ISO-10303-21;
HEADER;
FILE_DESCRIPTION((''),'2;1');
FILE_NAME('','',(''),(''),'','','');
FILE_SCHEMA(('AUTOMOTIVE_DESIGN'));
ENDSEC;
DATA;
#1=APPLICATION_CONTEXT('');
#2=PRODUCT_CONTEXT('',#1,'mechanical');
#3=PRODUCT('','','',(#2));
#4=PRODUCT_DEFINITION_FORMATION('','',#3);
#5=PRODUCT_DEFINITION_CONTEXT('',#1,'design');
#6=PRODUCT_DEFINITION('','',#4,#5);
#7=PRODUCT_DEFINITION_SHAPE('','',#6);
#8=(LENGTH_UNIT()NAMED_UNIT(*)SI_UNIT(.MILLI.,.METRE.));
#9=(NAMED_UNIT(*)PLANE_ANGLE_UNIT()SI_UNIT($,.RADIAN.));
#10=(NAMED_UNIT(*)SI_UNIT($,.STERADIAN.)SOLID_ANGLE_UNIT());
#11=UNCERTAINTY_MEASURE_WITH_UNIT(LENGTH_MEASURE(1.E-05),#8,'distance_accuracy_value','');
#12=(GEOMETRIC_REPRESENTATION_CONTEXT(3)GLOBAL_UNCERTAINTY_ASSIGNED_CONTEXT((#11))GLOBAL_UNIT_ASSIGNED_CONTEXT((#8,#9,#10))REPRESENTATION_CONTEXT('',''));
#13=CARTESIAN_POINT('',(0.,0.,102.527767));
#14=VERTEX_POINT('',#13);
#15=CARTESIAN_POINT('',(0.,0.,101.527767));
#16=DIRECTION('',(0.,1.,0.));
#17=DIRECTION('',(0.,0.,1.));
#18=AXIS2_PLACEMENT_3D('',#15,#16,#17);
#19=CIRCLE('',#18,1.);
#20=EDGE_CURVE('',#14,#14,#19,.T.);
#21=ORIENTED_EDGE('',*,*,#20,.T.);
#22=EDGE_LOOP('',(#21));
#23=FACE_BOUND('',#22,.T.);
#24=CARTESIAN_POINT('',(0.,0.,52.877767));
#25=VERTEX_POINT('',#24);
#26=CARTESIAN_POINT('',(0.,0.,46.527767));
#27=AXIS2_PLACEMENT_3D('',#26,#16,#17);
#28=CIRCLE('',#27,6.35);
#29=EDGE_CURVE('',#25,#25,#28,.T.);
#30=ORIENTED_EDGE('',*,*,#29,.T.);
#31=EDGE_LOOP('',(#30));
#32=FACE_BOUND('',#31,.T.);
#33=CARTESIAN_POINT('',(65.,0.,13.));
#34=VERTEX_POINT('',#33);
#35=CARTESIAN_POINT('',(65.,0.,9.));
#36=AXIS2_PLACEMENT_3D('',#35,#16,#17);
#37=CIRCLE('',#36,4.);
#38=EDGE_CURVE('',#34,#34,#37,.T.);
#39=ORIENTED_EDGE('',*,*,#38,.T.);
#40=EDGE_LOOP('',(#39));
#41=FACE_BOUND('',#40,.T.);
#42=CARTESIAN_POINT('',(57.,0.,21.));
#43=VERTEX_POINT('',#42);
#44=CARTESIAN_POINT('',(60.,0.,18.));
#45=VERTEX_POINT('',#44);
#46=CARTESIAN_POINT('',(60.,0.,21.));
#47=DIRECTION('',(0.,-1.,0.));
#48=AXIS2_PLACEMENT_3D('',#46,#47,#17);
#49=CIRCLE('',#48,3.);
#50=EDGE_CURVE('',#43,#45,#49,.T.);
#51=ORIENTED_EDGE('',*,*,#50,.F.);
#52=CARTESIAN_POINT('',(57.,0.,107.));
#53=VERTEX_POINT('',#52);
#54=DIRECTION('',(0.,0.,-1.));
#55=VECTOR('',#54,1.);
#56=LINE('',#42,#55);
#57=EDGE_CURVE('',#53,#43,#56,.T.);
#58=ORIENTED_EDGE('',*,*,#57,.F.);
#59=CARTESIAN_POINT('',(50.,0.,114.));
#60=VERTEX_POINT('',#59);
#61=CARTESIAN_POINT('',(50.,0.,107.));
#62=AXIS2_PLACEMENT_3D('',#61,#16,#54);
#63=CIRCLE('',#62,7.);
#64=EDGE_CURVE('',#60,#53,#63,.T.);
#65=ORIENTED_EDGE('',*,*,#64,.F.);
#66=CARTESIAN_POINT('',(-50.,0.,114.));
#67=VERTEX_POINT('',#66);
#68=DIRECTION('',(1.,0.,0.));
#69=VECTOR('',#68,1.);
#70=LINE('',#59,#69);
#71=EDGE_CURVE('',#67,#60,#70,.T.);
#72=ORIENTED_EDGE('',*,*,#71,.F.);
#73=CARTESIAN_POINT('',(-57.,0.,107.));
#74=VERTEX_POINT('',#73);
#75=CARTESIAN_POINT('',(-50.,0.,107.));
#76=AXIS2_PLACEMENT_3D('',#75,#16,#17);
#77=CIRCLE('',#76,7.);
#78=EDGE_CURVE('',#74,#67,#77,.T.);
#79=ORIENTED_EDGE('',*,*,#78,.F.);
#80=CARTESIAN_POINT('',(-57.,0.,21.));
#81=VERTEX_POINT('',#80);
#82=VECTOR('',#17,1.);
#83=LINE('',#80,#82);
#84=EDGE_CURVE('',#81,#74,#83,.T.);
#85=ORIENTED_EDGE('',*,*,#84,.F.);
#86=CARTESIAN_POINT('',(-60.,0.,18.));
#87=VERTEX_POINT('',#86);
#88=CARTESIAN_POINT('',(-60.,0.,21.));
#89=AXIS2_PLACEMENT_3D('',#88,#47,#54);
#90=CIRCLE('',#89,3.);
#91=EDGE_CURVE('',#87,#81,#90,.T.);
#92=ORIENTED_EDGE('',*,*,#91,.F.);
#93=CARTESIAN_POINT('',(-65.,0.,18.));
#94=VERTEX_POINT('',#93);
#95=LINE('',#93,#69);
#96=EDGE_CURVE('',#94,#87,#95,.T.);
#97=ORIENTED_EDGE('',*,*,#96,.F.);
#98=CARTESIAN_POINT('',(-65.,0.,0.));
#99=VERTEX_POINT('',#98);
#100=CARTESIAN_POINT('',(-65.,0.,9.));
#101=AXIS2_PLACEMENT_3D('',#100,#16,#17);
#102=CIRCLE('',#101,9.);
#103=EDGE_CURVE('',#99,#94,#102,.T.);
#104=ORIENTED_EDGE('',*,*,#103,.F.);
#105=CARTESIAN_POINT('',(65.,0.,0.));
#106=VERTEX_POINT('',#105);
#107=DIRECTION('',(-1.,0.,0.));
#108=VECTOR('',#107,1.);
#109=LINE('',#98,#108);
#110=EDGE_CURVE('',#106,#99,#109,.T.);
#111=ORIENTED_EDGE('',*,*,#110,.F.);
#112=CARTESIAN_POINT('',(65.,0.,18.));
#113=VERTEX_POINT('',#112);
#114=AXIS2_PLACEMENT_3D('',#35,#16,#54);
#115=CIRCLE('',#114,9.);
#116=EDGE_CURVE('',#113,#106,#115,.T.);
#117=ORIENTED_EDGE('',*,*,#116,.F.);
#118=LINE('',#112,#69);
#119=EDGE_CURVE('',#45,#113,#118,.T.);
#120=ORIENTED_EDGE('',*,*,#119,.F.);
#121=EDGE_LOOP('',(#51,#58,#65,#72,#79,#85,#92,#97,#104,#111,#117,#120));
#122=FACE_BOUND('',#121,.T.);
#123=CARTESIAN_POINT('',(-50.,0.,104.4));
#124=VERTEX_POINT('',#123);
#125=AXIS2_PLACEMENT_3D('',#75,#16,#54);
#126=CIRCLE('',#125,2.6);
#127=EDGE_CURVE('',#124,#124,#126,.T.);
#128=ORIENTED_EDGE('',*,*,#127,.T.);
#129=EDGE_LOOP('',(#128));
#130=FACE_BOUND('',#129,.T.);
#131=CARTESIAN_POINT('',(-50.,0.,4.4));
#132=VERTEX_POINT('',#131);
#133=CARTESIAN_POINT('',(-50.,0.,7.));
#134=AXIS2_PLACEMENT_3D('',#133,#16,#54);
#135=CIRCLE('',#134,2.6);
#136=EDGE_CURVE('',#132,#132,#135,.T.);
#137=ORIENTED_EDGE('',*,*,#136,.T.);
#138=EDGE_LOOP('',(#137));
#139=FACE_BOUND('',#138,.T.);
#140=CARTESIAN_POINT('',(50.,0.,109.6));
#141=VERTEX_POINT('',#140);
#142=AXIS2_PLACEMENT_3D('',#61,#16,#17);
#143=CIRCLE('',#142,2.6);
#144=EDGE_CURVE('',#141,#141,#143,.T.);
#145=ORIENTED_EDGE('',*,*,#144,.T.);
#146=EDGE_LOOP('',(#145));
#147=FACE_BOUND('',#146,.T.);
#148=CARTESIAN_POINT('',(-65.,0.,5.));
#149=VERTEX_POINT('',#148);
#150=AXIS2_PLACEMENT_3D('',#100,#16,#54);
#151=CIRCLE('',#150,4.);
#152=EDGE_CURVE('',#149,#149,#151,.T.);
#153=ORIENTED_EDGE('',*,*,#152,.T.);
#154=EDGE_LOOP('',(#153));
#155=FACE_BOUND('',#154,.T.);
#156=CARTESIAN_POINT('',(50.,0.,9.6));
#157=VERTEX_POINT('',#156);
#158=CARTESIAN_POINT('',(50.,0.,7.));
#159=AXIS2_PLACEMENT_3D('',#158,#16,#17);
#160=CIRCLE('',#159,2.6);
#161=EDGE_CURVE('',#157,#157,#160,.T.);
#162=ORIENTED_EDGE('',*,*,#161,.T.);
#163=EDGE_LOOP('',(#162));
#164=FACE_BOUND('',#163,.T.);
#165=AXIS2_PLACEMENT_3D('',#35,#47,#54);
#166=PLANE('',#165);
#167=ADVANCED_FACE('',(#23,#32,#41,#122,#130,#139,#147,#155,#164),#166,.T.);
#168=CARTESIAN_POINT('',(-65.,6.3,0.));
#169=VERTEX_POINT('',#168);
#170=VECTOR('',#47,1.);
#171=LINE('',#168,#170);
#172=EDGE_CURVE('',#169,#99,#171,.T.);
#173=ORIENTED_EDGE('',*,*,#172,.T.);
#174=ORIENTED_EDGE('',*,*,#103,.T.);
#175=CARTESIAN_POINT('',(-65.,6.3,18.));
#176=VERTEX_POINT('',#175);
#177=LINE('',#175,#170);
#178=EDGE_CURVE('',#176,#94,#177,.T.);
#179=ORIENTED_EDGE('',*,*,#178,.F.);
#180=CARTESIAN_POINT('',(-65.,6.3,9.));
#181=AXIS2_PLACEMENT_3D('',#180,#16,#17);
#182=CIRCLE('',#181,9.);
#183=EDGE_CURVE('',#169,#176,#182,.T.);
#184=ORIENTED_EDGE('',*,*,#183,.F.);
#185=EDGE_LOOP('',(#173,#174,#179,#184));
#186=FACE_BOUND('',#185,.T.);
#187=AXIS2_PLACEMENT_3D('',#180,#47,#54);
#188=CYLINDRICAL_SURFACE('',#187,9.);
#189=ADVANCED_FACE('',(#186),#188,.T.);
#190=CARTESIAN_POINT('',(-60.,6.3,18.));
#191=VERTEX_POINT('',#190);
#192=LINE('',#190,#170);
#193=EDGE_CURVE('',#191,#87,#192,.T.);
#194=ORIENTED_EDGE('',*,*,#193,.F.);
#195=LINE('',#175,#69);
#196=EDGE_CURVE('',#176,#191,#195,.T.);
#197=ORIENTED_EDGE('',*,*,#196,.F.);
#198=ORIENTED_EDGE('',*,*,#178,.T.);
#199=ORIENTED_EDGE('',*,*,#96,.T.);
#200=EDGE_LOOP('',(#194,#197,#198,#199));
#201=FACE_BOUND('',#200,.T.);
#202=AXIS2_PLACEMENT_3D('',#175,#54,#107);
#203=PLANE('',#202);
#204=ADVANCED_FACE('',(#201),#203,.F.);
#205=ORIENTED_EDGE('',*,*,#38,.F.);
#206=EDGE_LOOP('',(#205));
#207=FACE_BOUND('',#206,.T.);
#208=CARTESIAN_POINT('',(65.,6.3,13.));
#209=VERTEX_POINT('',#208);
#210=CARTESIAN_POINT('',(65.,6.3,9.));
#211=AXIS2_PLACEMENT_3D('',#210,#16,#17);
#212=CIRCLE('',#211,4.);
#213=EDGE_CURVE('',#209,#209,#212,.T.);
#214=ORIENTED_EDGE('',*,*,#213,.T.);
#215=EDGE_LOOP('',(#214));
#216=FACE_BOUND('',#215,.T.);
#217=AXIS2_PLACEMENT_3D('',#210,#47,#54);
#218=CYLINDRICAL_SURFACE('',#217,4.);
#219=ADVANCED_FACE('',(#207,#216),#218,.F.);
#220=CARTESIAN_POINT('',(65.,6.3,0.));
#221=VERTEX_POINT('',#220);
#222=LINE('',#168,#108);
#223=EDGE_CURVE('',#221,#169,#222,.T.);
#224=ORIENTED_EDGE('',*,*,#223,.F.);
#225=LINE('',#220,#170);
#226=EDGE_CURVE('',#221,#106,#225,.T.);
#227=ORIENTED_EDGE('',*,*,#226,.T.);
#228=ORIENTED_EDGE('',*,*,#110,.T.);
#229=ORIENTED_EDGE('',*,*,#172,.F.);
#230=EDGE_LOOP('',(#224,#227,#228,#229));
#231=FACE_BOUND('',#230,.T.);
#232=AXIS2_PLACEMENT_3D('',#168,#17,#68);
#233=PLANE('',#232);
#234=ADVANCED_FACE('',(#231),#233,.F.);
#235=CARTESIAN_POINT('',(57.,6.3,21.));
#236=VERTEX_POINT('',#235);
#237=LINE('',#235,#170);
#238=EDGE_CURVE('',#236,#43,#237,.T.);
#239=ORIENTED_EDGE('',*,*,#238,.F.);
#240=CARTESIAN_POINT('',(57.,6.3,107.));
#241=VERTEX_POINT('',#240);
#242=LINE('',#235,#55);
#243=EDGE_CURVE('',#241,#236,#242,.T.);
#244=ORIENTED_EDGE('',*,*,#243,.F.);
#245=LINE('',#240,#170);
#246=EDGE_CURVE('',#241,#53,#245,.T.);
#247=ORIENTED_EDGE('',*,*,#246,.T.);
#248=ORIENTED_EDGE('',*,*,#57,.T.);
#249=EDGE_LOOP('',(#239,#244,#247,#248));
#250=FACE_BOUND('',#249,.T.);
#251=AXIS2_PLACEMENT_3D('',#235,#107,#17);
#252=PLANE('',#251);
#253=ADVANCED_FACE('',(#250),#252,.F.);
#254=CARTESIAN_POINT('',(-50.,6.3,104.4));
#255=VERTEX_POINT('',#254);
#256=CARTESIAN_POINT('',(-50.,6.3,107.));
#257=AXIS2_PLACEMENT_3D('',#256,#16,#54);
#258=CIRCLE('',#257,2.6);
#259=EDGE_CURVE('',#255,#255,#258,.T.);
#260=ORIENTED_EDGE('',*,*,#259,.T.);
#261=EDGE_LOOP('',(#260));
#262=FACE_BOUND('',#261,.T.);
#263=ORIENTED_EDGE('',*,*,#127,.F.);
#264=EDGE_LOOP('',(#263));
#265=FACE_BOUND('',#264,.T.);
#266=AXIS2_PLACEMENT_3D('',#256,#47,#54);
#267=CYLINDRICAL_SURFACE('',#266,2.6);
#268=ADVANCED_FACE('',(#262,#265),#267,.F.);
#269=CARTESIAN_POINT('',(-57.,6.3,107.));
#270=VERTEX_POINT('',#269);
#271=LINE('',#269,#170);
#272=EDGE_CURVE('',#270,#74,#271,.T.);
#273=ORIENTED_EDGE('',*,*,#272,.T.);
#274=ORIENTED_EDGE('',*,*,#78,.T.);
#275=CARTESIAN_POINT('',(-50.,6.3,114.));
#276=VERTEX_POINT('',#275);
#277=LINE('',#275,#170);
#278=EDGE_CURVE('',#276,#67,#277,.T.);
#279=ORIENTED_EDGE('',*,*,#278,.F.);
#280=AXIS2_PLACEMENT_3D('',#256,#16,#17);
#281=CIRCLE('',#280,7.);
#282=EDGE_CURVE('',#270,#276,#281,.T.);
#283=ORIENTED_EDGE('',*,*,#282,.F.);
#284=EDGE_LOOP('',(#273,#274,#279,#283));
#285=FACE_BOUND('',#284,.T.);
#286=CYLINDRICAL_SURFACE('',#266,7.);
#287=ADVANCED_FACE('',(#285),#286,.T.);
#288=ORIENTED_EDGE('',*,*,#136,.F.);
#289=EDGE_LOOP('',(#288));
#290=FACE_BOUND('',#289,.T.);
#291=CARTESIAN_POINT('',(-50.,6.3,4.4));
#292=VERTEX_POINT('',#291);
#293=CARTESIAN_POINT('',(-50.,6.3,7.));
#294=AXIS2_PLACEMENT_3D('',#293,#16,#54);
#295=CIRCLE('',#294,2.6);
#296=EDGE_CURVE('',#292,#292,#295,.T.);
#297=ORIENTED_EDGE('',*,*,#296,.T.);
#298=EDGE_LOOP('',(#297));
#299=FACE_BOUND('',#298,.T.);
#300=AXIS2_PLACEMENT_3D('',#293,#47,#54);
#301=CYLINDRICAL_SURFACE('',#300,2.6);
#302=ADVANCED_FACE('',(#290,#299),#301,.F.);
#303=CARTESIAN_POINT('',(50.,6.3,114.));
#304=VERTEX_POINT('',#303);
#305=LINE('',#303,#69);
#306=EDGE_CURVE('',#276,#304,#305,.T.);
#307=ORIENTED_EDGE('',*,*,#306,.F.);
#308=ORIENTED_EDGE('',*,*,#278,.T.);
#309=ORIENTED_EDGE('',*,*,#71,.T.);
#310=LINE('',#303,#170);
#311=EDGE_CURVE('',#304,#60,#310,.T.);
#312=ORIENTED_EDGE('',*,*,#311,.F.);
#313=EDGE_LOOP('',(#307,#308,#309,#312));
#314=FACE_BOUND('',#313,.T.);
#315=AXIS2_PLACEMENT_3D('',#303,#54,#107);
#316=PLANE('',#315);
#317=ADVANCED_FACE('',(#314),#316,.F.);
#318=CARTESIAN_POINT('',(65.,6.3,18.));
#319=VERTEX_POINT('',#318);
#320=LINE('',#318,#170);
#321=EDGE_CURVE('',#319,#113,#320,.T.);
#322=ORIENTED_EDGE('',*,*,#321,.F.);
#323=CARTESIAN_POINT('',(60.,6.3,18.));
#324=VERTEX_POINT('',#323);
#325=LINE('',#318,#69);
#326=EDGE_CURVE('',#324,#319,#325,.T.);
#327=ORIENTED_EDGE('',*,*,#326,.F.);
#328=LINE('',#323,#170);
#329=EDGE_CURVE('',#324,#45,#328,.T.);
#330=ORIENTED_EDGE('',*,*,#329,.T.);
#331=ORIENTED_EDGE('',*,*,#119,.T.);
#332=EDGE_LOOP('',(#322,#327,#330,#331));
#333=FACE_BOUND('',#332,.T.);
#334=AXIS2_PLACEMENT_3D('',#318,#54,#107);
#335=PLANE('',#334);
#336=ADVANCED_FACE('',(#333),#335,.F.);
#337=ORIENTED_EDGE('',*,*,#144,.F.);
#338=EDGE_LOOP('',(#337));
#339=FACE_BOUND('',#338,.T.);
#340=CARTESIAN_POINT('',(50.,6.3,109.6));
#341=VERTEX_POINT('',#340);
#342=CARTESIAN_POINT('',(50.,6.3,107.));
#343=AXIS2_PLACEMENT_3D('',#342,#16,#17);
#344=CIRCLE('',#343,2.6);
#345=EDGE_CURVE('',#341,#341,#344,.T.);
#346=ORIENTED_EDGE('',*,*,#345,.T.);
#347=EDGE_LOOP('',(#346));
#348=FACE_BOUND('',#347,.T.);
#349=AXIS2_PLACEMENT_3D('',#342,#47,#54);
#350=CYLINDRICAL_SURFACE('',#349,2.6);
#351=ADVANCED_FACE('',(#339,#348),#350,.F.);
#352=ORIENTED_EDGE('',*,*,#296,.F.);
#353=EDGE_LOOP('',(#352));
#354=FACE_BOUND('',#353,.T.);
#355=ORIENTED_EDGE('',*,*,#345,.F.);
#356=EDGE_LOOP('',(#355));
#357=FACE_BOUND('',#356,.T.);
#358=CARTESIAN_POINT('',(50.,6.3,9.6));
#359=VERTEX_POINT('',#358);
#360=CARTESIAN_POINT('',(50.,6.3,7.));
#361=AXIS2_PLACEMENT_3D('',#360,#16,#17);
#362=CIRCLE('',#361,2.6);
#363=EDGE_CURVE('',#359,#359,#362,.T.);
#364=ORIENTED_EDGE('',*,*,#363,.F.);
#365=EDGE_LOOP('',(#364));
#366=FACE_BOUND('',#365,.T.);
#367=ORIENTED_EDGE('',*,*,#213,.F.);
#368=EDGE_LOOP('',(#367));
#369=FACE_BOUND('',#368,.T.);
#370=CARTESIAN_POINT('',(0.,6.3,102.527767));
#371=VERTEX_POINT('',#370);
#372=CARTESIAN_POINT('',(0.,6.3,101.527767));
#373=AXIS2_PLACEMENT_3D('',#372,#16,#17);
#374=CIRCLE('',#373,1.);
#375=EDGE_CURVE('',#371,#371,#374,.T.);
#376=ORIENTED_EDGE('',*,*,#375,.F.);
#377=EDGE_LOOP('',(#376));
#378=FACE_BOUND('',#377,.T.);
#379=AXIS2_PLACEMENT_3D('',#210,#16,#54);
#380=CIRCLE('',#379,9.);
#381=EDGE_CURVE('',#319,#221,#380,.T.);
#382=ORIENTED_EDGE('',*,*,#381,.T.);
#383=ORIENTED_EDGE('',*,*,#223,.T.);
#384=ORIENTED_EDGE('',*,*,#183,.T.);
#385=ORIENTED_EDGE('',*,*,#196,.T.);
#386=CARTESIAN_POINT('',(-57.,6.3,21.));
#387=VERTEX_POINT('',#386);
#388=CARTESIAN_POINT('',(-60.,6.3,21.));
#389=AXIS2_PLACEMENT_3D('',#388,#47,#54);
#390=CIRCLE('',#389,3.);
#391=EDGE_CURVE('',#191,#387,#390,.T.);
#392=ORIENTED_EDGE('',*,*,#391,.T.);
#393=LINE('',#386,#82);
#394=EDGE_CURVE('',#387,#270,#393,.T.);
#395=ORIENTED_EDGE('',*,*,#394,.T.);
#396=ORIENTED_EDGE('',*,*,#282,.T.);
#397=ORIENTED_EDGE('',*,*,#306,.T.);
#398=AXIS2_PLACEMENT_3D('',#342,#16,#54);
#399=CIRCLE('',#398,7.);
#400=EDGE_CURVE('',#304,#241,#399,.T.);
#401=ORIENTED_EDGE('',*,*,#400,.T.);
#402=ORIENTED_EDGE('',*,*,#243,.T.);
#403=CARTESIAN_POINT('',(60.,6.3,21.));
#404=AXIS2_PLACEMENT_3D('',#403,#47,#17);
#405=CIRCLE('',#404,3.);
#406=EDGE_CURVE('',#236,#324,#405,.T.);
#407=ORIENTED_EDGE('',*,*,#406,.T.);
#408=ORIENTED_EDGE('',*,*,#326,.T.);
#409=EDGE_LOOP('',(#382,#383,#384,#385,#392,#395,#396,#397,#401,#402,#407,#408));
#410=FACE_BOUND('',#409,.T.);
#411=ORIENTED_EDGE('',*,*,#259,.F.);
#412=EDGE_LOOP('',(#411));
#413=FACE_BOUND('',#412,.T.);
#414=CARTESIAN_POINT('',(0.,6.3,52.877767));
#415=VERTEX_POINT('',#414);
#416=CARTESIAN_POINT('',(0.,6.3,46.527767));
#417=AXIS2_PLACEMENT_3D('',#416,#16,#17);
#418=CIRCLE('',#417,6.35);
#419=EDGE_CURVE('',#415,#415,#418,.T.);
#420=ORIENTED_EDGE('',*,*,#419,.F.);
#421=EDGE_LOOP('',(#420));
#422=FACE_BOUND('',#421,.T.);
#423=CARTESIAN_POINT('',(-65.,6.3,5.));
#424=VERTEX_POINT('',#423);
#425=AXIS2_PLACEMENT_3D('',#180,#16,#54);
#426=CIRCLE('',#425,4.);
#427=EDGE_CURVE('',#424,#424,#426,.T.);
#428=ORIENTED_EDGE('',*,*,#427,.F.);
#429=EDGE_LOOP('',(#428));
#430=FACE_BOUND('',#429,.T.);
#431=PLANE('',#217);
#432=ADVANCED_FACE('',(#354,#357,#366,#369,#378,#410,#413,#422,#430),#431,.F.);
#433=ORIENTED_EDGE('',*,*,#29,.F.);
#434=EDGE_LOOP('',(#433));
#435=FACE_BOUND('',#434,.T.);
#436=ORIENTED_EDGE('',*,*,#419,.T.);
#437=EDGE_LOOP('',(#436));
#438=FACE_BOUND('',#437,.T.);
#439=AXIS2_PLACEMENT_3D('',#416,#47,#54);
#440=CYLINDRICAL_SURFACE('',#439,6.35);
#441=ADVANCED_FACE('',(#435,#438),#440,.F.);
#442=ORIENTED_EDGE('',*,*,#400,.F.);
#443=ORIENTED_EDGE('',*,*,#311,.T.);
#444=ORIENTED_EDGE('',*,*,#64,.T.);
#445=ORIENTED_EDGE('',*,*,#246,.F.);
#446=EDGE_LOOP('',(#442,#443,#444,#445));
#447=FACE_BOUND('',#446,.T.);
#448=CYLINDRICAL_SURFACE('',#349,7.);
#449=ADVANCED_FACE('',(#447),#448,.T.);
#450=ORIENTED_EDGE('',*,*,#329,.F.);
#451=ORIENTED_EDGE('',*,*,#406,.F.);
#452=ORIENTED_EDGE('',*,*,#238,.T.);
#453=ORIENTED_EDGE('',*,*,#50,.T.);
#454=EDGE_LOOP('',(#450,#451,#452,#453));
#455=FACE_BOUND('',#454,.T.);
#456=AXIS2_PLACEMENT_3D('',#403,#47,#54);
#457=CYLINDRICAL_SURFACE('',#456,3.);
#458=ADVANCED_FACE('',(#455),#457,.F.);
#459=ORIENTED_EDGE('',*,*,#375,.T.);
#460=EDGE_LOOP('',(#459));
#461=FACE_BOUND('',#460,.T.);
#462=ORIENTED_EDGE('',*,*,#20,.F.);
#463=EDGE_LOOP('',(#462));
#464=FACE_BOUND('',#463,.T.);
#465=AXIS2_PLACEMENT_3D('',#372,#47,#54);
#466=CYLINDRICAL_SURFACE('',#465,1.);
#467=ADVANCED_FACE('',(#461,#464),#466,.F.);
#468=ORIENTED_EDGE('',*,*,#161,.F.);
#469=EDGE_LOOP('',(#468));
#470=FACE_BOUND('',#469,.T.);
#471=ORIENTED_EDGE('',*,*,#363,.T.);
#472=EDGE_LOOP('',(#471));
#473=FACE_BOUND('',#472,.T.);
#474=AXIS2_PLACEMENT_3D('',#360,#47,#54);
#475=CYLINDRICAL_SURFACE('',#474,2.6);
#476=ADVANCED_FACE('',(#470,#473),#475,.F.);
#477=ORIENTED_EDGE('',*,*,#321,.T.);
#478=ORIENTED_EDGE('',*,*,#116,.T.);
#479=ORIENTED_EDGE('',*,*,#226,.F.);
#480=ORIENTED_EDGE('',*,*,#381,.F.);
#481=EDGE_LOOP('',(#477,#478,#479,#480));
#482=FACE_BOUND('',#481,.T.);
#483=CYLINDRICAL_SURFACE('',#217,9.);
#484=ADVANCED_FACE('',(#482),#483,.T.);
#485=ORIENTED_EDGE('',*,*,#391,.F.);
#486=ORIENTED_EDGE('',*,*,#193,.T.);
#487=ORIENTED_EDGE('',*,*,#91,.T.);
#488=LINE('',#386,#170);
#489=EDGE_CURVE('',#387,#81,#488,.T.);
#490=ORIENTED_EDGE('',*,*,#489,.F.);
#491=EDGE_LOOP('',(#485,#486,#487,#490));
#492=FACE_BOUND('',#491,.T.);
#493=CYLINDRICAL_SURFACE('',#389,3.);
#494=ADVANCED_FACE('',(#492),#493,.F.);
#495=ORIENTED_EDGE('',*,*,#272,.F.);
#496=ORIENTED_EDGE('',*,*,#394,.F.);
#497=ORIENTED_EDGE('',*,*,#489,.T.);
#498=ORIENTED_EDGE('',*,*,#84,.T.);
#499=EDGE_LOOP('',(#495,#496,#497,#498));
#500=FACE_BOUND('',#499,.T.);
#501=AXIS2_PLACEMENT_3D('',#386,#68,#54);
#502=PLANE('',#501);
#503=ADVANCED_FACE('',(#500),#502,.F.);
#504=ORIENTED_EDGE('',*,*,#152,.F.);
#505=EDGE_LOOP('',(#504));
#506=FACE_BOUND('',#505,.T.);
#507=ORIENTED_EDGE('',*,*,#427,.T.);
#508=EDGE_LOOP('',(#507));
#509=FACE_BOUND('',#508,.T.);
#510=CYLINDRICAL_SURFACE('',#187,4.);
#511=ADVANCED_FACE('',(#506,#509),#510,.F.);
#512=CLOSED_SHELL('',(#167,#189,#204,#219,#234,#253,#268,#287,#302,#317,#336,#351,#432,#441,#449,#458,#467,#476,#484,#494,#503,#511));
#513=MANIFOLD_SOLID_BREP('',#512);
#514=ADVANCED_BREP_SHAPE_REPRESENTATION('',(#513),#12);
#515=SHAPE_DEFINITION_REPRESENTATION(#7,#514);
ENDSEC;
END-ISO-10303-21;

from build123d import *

# Parameters (mm, degrees)
SKETCH1_R           = 2.6
SKETCH1_R_2         = 4
SKETCH1_R_3         = 6.35
SKETCH1_R_4         = 1
BOSS_EXTRUDE2_DEPTH = 6.3


with BuildPart() as part:
    # Sketch1 → Boss-Extrude2 (new body)
    with BuildSketch(Plane(origin=(0, 0, 0), x_dir=(1, 0, 0), z_dir=(0, 1, 0))):
        with BuildLine():
            Line((-65, 0), (65, 0))
            ThreePointArc((65, 0), (74, -9), (65, -18))
            Line((65, -18), (60, -18))
            ThreePointArc((60, -18), (57.878679656, -18.878679656), (57, -21))
            Line((57, -21), (57, -107))
            ThreePointArc((57, -107), (54.949747468, -111.949747468), (50, -114))
            Line((50, -114), (-50, -114))
            ThreePointArc((-50, -114), (-54.949747468, -111.949747468), (-57, -107))
            Line((-57, -107), (-57, -21))
            ThreePointArc((-57, -21), (-57.878679656, -18.878679656), (-60, -18))
            Line((-60, -18), (-65, -18))
            ThreePointArc((-65, -18), (-74, -9), (-65, 0))
        make_face()
        with Locations(Location((-50, -107, 0), (0, 0, 90))):
            Circle(SKETCH1_R, mode=Mode.SUBTRACT)
        with Locations(Location((50, -7, 0), (0, 0, 270))):
            Circle(SKETCH1_R, mode=Mode.SUBTRACT)
        with Locations(Location((65, -9, 0), (0, 0, 270))):
            Circle(SKETCH1_R_2, mode=Mode.SUBTRACT)
        with Locations(Location((50, -107, 0), (0, 0, 270))):
            Circle(SKETCH1_R, mode=Mode.SUBTRACT)
        with Locations(Location((0, -46.527767497, 0), (0, 0, 270))):
            Circle(SKETCH1_R_3, mode=Mode.SUBTRACT)
        with Locations(Location((0, -101.527767497, 0), (0, 0, 270))):
            Circle(SKETCH1_R_4, mode=Mode.SUBTRACT)
        with Locations(Location((-65, -9, 0), (0, 0, 90))):
            Circle(SKETCH1_R_2, mode=Mode.SUBTRACT)
        with Locations(Location((-50, -7, 0), (0, 0, 90))):
            Circle(SKETCH1_R, mode=Mode.SUBTRACT)
    extrude(amount=BOSS_EXTRUDE2_DEPTH)


solid = part.part
